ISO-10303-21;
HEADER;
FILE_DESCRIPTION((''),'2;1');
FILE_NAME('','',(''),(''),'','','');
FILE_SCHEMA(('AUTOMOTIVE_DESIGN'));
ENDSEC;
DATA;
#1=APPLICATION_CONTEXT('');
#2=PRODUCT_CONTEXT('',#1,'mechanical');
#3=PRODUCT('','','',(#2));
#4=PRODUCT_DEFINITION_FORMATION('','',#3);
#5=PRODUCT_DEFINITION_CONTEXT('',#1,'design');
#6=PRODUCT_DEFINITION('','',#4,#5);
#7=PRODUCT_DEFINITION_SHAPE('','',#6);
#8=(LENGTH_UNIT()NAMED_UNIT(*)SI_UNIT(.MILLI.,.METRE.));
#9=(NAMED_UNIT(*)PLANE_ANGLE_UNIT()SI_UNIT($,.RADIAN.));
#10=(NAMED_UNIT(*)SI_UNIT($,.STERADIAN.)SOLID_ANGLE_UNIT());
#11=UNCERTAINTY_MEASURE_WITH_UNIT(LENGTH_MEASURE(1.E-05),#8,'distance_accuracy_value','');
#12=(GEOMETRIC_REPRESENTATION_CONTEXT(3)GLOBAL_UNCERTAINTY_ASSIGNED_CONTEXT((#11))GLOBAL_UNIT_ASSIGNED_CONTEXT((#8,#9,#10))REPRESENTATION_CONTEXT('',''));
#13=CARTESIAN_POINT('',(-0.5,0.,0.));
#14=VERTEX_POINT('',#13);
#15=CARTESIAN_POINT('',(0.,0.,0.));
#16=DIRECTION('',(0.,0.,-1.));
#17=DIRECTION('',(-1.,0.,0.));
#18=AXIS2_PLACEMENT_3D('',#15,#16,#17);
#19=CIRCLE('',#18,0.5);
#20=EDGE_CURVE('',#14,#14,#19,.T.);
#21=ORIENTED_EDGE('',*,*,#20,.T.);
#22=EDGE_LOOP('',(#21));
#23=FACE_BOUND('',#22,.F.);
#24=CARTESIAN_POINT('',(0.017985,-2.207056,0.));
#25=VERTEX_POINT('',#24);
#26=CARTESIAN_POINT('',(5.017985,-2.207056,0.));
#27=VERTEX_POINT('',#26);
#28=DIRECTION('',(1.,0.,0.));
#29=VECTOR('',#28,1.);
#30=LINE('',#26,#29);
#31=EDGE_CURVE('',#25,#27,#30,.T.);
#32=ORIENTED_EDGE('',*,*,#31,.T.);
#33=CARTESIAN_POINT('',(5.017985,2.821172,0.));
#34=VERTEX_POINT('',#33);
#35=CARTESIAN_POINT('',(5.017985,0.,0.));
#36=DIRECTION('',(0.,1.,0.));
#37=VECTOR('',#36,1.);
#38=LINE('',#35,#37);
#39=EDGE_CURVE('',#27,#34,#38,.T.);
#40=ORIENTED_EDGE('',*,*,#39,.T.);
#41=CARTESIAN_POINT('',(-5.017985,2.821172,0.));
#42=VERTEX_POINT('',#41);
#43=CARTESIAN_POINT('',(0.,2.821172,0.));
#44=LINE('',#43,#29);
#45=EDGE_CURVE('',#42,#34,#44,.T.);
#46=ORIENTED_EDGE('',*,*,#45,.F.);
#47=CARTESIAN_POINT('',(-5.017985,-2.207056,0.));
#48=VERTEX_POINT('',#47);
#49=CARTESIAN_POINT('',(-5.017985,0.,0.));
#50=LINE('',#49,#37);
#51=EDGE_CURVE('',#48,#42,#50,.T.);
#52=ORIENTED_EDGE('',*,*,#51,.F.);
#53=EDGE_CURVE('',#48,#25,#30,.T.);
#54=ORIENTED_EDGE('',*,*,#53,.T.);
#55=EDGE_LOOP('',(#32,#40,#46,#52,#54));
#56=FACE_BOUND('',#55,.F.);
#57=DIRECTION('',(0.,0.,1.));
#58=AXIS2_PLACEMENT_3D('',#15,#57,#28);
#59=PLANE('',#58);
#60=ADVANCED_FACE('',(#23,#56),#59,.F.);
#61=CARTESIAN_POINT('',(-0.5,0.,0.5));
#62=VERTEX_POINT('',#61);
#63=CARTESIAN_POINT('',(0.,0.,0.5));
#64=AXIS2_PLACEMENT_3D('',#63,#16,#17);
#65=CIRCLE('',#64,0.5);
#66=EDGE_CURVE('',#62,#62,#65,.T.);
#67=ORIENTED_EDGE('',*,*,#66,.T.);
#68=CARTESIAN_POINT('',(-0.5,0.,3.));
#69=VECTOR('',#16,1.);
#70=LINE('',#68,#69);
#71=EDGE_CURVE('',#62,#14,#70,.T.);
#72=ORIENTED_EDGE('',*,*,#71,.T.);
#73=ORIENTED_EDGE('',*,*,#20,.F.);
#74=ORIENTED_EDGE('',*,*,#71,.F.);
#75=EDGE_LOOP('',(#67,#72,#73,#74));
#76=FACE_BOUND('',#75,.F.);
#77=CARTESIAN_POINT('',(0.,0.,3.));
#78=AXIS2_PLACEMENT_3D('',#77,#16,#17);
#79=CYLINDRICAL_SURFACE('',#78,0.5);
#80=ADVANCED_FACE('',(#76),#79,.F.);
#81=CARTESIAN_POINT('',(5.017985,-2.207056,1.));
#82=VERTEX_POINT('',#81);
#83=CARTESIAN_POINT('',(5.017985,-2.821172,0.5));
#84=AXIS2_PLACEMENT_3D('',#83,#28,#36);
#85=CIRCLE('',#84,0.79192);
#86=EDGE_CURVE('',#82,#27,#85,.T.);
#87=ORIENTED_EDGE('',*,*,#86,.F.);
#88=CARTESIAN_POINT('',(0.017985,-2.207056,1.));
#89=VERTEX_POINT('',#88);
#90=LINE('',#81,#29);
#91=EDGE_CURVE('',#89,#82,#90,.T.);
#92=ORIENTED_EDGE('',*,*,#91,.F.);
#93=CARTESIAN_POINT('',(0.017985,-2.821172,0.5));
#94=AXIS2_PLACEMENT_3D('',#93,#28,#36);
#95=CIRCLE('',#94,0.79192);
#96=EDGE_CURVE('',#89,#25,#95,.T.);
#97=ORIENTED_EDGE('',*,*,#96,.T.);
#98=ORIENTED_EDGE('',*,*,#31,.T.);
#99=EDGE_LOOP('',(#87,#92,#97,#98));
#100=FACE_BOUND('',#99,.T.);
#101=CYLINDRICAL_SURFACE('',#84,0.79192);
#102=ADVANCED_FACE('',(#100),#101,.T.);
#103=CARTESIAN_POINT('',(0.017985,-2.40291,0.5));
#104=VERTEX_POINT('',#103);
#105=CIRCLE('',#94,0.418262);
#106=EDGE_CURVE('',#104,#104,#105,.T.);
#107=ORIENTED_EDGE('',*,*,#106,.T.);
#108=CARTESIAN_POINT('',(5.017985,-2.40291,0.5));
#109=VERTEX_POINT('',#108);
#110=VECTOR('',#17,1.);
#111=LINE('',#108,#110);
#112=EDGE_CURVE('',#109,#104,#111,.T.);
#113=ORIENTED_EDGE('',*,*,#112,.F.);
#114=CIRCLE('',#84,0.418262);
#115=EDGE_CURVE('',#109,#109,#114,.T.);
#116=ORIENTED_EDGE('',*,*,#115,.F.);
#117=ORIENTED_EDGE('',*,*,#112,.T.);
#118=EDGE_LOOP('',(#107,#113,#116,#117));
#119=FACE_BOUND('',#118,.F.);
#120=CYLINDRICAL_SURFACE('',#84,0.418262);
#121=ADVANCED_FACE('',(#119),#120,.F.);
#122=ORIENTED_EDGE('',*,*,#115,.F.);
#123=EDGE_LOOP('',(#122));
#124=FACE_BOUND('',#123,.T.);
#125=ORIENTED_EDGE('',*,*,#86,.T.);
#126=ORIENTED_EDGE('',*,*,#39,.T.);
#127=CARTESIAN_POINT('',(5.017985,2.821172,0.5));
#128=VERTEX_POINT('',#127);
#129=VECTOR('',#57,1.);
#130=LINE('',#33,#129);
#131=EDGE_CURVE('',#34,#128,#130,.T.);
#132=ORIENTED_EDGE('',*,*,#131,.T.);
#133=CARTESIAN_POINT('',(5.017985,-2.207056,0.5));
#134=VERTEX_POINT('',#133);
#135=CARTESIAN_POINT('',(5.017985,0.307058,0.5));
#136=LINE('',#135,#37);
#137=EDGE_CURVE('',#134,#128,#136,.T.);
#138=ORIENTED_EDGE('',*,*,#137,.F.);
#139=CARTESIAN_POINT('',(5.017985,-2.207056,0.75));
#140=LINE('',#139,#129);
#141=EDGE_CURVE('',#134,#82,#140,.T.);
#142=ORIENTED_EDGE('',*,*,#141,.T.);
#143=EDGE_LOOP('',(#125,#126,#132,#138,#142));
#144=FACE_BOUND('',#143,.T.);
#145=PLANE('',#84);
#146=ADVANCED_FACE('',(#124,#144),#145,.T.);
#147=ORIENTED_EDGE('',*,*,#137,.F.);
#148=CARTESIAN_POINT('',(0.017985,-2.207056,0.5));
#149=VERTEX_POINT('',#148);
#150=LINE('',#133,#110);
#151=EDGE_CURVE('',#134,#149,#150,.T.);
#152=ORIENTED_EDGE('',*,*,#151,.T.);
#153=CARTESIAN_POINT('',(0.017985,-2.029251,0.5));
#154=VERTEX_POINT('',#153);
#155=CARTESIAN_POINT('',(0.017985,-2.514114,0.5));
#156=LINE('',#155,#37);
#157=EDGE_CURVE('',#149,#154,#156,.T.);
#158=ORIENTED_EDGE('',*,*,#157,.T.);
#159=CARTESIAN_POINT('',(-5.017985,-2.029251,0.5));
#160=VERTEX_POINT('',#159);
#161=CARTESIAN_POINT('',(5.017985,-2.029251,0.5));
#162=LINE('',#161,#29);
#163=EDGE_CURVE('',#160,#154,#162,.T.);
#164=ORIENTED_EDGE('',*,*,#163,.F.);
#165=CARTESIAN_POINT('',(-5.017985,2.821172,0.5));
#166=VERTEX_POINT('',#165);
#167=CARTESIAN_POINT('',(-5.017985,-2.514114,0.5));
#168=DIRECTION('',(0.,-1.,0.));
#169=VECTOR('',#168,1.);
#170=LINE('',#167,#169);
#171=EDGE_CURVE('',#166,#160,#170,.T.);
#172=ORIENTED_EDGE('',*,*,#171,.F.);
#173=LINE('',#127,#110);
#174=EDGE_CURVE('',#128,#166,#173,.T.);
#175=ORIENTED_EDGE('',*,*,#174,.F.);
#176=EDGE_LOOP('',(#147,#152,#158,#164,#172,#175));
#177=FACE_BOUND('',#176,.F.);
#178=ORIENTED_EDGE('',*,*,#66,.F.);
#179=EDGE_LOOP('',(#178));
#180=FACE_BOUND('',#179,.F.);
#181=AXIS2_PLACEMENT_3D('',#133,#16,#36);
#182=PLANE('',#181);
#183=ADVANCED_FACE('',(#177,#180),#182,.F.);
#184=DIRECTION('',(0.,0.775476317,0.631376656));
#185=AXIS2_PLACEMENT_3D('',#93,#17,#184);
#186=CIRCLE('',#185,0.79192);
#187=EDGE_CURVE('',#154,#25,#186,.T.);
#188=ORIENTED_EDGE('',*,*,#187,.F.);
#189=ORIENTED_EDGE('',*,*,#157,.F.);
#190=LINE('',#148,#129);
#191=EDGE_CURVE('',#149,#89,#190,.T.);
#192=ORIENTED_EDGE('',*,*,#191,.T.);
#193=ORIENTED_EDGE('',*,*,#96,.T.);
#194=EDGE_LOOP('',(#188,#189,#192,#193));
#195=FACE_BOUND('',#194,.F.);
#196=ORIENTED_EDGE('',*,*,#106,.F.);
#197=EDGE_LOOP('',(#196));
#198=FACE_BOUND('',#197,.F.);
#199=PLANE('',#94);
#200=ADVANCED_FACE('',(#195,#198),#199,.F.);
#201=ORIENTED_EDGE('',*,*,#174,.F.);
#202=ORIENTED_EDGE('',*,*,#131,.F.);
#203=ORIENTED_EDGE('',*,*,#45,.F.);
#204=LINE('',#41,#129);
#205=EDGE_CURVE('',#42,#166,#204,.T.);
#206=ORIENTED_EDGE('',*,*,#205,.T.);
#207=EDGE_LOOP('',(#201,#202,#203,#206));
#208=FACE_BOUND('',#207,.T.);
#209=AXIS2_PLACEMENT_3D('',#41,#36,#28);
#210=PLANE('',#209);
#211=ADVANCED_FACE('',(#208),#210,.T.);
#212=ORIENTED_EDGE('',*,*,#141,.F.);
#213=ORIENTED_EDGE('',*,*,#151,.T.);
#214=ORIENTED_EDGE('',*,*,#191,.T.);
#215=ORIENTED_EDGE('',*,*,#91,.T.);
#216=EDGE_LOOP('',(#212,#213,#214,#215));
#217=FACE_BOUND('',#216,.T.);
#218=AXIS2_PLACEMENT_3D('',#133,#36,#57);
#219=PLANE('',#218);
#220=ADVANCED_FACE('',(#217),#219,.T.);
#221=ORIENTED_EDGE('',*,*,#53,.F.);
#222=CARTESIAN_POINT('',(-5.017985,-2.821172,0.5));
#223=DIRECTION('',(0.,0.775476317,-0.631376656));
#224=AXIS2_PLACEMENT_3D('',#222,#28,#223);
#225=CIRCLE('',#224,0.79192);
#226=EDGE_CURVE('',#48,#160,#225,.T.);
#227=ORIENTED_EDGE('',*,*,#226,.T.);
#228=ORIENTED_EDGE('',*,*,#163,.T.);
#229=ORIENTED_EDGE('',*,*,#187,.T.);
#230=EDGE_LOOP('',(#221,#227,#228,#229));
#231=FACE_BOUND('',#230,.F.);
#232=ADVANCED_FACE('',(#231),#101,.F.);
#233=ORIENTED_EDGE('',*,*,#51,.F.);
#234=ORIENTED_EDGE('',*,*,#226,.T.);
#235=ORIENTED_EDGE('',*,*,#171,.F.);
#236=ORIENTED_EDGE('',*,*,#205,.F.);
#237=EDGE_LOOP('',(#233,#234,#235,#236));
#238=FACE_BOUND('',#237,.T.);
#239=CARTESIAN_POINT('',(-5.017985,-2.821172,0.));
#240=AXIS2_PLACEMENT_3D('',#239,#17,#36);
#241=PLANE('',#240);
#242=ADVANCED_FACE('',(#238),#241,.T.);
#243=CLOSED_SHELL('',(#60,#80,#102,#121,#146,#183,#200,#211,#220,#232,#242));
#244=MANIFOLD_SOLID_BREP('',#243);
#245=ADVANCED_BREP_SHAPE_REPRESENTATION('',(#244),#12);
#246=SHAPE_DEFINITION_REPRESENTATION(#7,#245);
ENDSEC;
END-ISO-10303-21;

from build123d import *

# Parameters (mm, degrees)
F0_W      = 10.0359702483
F0_H      = 5.6423433125
F1_DEPTH  = 1
F2_R      = 0.7919203143
F3_DEPTH  = 10.55
F4_DEPTH  = 5
F5_R      = 0.4182620548
F6_DEPTH  = 25
F8_D      = 1
F8_DEPTH  = 2
F8_TIP    = 0.3004303095
F9_W      = 5.0282278639
F9_H      = 0.5
F10_DEPTH = 25


with BuildPart() as f1:
    # F0 (on Top) → F1 (new body)
    with BuildSketch(Plane.XY):
        Rectangle(F0_W, F0_H)
    extrude(amount=F1_DEPTH)

    # F2 (on face) → F3 (cut)
    with BuildSketch(Plane.YZ.offset(5.0179851241)):
        with Locations((-2.8211716563, 0.5)):
            Circle(F2_R)
    extrude(amount=-F3_DEPTH, mode=Mode.SUBTRACT)

    # F2 (on face) → F4 (join)
    with BuildSketch(Plane.YZ.offset(5.0179851241)):
        with Locations((-2.8211716563, 0.5)):
            Circle(F2_R)
    extrude(amount=-F4_DEPTH)

    # F5 (on face) → F6 (cut)
    with BuildSketch(Plane.YZ.offset(5.0179851241)):
        with Locations((-2.8211716563, 0.5)):
            Circle(F5_R)
    extrude(amount=-F6_DEPTH, mode=Mode.SUBTRACT)

    # F8
    with Locations(Plane.XY.offset(1)):
        with Locations((0, 0)):
            Hole(F8_D / 2, depth=F8_DEPTH)
            with Locations((0, 0, -(F8_DEPTH + F8_TIP / 2))):  # 118° drill point
                Cone(0, F8_D / 2, F8_TIP, mode=Mode.SUBTRACT)

    # F9 (on face) → F10 (cut)
    with BuildSketch(Plane.YZ.offset(5.0179851241)):
        with Locations((0.3070577243, 0.75)):
            Rectangle(F9_W, F9_H)
    extrude(amount=-F10_DEPTH, mode=Mode.SUBTRACT)


solid = f1.part
